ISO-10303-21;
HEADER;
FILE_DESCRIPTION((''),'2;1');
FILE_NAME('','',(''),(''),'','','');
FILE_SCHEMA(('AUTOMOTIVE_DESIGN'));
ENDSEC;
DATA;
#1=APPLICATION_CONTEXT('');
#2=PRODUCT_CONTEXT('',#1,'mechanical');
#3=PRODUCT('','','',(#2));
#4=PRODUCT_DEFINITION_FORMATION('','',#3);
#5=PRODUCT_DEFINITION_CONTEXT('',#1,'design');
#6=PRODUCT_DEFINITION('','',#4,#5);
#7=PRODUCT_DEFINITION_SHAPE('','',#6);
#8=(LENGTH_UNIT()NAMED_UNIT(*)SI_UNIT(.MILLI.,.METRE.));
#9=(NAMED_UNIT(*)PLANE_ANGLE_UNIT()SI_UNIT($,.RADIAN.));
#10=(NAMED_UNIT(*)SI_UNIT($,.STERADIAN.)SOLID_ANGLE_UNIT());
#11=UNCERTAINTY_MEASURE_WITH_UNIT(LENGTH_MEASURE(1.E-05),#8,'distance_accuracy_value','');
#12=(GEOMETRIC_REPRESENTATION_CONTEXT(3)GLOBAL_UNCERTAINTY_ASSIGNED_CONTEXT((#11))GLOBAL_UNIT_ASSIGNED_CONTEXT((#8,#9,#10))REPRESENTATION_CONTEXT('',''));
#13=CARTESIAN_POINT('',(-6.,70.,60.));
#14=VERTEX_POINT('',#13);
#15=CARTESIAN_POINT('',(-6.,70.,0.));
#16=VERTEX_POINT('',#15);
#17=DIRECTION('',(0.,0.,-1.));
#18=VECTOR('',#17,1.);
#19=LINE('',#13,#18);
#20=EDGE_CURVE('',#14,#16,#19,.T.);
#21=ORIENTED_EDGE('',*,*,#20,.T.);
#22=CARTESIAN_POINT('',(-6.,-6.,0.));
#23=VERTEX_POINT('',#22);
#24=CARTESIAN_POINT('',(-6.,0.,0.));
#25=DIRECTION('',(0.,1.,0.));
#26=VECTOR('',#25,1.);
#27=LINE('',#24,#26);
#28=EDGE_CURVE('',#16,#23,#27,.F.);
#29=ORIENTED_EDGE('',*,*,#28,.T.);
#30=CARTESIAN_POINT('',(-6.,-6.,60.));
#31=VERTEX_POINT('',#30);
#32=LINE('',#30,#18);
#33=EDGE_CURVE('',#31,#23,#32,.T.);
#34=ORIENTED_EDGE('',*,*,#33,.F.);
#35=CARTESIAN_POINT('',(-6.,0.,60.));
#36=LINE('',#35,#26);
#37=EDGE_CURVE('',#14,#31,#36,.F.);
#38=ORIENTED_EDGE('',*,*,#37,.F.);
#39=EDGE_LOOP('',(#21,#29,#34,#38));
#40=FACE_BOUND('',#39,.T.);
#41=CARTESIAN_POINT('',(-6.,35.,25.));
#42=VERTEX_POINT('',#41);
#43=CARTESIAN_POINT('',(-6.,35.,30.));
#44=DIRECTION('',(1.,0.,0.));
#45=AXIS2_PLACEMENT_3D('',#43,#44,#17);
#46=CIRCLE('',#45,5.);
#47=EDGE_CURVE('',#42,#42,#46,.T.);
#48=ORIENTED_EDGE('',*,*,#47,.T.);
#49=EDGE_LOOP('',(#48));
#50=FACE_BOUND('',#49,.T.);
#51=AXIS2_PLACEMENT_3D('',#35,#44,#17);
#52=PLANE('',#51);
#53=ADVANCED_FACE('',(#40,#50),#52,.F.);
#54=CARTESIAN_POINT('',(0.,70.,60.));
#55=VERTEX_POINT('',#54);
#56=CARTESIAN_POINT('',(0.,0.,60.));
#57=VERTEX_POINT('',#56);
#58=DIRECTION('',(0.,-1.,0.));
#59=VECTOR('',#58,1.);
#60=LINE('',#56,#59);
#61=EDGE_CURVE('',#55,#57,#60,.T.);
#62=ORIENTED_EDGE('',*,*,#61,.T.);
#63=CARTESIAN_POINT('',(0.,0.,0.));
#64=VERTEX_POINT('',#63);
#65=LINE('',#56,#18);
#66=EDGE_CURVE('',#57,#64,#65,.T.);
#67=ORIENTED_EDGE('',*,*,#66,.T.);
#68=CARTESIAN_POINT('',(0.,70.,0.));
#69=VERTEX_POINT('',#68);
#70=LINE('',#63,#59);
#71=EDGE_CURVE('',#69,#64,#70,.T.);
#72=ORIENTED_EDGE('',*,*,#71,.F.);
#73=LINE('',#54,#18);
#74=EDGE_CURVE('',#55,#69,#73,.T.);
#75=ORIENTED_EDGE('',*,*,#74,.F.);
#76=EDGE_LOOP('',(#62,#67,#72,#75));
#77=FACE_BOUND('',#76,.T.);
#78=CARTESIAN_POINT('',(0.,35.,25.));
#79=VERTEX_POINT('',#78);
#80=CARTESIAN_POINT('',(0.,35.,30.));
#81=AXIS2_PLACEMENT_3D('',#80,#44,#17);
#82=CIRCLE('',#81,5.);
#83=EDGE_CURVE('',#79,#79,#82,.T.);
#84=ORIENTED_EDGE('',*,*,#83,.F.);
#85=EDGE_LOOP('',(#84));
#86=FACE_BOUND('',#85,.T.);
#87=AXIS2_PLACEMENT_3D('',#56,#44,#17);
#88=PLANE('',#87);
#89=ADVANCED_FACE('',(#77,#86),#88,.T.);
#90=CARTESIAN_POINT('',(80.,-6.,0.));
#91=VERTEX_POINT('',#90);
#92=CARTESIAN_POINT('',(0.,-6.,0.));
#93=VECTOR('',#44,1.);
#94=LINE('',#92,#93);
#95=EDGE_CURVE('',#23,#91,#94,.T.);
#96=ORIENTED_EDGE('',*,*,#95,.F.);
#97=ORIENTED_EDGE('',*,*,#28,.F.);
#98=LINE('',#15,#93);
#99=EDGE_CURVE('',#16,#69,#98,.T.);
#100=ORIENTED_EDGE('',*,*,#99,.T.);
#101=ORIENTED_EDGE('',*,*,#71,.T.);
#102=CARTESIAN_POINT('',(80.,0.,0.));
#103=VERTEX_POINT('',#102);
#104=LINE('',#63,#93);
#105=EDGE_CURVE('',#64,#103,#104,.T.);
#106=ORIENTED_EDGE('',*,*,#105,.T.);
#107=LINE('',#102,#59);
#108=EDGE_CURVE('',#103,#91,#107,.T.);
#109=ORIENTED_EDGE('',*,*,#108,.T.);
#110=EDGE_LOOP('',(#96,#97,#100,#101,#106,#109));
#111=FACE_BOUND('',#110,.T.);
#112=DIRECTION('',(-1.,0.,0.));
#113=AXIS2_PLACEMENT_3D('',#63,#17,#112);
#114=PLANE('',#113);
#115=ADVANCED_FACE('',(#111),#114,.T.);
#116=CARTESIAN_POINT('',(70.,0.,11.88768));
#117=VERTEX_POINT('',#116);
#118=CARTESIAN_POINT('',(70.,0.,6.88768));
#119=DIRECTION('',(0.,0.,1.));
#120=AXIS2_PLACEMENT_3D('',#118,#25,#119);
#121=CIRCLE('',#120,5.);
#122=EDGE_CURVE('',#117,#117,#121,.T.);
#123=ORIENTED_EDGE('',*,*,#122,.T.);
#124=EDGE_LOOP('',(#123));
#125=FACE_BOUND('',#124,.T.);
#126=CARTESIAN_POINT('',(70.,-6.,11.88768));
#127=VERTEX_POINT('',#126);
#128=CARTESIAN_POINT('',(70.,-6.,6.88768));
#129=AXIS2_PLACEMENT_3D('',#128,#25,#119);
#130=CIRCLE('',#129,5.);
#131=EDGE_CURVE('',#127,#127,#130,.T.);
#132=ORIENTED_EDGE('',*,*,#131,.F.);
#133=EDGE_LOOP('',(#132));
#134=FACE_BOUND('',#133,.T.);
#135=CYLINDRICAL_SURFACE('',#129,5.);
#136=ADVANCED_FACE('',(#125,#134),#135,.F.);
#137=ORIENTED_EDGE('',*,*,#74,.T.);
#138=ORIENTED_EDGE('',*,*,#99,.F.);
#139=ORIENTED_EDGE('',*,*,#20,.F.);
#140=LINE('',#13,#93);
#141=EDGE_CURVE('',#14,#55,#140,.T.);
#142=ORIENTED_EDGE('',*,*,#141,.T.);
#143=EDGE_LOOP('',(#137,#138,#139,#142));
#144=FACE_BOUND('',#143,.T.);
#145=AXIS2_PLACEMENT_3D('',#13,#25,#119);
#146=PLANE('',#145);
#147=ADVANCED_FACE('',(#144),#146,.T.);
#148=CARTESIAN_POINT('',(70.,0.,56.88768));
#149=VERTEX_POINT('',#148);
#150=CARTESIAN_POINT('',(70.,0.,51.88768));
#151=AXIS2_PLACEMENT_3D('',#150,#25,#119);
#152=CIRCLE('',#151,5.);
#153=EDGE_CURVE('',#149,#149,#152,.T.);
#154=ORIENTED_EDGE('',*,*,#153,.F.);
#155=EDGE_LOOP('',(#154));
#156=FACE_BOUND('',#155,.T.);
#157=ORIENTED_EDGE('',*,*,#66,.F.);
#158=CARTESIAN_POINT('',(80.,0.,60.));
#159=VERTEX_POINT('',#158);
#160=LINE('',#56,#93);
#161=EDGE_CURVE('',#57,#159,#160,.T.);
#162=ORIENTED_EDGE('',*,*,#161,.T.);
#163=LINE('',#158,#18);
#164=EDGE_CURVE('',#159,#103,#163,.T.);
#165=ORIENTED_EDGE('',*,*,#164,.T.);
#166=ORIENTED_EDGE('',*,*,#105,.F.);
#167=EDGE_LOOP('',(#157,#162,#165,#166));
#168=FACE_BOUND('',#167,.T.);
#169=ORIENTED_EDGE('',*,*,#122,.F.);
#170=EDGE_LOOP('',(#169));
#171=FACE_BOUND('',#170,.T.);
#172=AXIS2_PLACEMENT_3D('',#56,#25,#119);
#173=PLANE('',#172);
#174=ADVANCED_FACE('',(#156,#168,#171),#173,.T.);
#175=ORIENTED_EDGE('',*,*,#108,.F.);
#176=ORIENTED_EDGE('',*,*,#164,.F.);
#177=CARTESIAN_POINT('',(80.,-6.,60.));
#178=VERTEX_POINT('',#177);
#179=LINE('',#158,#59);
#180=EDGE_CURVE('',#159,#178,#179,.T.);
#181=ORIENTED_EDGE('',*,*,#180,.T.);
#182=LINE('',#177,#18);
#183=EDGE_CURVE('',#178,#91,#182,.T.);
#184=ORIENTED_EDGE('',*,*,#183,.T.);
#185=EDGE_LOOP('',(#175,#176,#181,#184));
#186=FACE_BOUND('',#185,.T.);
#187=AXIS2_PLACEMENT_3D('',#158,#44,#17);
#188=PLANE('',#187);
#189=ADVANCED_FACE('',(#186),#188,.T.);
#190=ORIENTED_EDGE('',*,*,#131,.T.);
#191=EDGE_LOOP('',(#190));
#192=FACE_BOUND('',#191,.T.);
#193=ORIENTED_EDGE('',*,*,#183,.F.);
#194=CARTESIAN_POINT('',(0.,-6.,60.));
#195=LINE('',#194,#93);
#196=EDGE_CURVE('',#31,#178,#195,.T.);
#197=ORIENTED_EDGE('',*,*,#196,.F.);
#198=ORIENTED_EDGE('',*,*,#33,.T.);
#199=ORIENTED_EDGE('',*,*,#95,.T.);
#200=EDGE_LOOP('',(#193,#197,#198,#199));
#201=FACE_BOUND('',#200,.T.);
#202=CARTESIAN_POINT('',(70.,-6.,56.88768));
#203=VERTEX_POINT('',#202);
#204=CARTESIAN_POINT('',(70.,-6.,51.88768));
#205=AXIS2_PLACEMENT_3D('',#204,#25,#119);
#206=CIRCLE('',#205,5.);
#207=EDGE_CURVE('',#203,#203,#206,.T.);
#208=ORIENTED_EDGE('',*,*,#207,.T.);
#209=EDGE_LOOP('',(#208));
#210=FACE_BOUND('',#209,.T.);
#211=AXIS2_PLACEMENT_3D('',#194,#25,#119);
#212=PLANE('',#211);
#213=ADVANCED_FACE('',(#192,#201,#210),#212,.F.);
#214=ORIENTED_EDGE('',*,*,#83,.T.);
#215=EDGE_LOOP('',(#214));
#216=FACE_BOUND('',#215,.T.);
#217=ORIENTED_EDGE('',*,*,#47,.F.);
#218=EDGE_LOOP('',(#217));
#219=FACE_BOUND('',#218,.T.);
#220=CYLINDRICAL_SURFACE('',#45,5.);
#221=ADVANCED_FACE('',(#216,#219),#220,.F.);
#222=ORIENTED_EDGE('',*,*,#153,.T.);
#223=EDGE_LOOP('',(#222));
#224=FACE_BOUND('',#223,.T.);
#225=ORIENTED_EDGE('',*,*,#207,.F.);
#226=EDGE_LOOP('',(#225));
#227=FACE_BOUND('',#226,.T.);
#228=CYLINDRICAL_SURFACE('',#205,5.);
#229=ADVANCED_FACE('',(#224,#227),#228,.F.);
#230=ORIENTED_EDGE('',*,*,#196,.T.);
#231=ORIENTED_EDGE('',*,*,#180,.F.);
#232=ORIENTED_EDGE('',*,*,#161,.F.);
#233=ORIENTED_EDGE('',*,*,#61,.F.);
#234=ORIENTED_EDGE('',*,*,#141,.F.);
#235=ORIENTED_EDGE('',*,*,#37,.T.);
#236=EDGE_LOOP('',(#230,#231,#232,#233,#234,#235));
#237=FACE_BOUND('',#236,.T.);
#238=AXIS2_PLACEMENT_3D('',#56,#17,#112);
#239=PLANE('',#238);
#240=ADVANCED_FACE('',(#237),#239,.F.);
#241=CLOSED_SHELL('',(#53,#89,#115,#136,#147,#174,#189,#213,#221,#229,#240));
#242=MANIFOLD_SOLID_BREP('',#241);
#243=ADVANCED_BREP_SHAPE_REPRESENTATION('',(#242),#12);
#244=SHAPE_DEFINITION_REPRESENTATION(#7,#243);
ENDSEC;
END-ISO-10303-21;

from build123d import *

# Parameters (mm, degrees)
EXTRUDE_THIN1_DEPTH = 60
SKETCH2_R           = 5
CUT_EXTRUDE1_DEPTH  = 123.065556157
SKETCH3_R           = 5
CUT_EXTRUDE2_DEPTH  = 123.065556157


with BuildPart() as part:
    # Sketch1 → Extrude-Thin1 (new body)
    with BuildSketch(Plane.XY):
        Polygon((80, 0), (0, 0), (0, 70), (-6, 70), (-6, -6), (80, -6), align=None)
    extrude(amount=EXTRUDE_THIN1_DEPTH)

    # Sketch2 → Cut-Extrude1 (cut, through all)
    with BuildSketch(Plane(origin=(0, 0, 0), x_dir=(1, 0, 0), z_dir=(0, 1, 0))):
        with Locations(Location((70, -6.887679605, 0), (0, 0, 270))):
            Circle(SKETCH2_R)
        with Locations(Location((70, -51.887679605, 0), (0, 0, 270))):
            Circle(SKETCH2_R)
    extrude(amount=-CUT_EXTRUDE1_DEPTH, mode=Mode.SUBTRACT)

    # Sketch3 → Cut-Extrude2 (cut, through all)
    with BuildSketch(Plane(origin=(0, 0, 0), x_dir=(0, 0, -1), z_dir=(1, 0, 0))):
        with Locations((-30, 35)):
            Circle(SKETCH3_R)
    extrude(amount=-CUT_EXTRUDE2_DEPTH, mode=Mode.SUBTRACT)


solid = part.part
